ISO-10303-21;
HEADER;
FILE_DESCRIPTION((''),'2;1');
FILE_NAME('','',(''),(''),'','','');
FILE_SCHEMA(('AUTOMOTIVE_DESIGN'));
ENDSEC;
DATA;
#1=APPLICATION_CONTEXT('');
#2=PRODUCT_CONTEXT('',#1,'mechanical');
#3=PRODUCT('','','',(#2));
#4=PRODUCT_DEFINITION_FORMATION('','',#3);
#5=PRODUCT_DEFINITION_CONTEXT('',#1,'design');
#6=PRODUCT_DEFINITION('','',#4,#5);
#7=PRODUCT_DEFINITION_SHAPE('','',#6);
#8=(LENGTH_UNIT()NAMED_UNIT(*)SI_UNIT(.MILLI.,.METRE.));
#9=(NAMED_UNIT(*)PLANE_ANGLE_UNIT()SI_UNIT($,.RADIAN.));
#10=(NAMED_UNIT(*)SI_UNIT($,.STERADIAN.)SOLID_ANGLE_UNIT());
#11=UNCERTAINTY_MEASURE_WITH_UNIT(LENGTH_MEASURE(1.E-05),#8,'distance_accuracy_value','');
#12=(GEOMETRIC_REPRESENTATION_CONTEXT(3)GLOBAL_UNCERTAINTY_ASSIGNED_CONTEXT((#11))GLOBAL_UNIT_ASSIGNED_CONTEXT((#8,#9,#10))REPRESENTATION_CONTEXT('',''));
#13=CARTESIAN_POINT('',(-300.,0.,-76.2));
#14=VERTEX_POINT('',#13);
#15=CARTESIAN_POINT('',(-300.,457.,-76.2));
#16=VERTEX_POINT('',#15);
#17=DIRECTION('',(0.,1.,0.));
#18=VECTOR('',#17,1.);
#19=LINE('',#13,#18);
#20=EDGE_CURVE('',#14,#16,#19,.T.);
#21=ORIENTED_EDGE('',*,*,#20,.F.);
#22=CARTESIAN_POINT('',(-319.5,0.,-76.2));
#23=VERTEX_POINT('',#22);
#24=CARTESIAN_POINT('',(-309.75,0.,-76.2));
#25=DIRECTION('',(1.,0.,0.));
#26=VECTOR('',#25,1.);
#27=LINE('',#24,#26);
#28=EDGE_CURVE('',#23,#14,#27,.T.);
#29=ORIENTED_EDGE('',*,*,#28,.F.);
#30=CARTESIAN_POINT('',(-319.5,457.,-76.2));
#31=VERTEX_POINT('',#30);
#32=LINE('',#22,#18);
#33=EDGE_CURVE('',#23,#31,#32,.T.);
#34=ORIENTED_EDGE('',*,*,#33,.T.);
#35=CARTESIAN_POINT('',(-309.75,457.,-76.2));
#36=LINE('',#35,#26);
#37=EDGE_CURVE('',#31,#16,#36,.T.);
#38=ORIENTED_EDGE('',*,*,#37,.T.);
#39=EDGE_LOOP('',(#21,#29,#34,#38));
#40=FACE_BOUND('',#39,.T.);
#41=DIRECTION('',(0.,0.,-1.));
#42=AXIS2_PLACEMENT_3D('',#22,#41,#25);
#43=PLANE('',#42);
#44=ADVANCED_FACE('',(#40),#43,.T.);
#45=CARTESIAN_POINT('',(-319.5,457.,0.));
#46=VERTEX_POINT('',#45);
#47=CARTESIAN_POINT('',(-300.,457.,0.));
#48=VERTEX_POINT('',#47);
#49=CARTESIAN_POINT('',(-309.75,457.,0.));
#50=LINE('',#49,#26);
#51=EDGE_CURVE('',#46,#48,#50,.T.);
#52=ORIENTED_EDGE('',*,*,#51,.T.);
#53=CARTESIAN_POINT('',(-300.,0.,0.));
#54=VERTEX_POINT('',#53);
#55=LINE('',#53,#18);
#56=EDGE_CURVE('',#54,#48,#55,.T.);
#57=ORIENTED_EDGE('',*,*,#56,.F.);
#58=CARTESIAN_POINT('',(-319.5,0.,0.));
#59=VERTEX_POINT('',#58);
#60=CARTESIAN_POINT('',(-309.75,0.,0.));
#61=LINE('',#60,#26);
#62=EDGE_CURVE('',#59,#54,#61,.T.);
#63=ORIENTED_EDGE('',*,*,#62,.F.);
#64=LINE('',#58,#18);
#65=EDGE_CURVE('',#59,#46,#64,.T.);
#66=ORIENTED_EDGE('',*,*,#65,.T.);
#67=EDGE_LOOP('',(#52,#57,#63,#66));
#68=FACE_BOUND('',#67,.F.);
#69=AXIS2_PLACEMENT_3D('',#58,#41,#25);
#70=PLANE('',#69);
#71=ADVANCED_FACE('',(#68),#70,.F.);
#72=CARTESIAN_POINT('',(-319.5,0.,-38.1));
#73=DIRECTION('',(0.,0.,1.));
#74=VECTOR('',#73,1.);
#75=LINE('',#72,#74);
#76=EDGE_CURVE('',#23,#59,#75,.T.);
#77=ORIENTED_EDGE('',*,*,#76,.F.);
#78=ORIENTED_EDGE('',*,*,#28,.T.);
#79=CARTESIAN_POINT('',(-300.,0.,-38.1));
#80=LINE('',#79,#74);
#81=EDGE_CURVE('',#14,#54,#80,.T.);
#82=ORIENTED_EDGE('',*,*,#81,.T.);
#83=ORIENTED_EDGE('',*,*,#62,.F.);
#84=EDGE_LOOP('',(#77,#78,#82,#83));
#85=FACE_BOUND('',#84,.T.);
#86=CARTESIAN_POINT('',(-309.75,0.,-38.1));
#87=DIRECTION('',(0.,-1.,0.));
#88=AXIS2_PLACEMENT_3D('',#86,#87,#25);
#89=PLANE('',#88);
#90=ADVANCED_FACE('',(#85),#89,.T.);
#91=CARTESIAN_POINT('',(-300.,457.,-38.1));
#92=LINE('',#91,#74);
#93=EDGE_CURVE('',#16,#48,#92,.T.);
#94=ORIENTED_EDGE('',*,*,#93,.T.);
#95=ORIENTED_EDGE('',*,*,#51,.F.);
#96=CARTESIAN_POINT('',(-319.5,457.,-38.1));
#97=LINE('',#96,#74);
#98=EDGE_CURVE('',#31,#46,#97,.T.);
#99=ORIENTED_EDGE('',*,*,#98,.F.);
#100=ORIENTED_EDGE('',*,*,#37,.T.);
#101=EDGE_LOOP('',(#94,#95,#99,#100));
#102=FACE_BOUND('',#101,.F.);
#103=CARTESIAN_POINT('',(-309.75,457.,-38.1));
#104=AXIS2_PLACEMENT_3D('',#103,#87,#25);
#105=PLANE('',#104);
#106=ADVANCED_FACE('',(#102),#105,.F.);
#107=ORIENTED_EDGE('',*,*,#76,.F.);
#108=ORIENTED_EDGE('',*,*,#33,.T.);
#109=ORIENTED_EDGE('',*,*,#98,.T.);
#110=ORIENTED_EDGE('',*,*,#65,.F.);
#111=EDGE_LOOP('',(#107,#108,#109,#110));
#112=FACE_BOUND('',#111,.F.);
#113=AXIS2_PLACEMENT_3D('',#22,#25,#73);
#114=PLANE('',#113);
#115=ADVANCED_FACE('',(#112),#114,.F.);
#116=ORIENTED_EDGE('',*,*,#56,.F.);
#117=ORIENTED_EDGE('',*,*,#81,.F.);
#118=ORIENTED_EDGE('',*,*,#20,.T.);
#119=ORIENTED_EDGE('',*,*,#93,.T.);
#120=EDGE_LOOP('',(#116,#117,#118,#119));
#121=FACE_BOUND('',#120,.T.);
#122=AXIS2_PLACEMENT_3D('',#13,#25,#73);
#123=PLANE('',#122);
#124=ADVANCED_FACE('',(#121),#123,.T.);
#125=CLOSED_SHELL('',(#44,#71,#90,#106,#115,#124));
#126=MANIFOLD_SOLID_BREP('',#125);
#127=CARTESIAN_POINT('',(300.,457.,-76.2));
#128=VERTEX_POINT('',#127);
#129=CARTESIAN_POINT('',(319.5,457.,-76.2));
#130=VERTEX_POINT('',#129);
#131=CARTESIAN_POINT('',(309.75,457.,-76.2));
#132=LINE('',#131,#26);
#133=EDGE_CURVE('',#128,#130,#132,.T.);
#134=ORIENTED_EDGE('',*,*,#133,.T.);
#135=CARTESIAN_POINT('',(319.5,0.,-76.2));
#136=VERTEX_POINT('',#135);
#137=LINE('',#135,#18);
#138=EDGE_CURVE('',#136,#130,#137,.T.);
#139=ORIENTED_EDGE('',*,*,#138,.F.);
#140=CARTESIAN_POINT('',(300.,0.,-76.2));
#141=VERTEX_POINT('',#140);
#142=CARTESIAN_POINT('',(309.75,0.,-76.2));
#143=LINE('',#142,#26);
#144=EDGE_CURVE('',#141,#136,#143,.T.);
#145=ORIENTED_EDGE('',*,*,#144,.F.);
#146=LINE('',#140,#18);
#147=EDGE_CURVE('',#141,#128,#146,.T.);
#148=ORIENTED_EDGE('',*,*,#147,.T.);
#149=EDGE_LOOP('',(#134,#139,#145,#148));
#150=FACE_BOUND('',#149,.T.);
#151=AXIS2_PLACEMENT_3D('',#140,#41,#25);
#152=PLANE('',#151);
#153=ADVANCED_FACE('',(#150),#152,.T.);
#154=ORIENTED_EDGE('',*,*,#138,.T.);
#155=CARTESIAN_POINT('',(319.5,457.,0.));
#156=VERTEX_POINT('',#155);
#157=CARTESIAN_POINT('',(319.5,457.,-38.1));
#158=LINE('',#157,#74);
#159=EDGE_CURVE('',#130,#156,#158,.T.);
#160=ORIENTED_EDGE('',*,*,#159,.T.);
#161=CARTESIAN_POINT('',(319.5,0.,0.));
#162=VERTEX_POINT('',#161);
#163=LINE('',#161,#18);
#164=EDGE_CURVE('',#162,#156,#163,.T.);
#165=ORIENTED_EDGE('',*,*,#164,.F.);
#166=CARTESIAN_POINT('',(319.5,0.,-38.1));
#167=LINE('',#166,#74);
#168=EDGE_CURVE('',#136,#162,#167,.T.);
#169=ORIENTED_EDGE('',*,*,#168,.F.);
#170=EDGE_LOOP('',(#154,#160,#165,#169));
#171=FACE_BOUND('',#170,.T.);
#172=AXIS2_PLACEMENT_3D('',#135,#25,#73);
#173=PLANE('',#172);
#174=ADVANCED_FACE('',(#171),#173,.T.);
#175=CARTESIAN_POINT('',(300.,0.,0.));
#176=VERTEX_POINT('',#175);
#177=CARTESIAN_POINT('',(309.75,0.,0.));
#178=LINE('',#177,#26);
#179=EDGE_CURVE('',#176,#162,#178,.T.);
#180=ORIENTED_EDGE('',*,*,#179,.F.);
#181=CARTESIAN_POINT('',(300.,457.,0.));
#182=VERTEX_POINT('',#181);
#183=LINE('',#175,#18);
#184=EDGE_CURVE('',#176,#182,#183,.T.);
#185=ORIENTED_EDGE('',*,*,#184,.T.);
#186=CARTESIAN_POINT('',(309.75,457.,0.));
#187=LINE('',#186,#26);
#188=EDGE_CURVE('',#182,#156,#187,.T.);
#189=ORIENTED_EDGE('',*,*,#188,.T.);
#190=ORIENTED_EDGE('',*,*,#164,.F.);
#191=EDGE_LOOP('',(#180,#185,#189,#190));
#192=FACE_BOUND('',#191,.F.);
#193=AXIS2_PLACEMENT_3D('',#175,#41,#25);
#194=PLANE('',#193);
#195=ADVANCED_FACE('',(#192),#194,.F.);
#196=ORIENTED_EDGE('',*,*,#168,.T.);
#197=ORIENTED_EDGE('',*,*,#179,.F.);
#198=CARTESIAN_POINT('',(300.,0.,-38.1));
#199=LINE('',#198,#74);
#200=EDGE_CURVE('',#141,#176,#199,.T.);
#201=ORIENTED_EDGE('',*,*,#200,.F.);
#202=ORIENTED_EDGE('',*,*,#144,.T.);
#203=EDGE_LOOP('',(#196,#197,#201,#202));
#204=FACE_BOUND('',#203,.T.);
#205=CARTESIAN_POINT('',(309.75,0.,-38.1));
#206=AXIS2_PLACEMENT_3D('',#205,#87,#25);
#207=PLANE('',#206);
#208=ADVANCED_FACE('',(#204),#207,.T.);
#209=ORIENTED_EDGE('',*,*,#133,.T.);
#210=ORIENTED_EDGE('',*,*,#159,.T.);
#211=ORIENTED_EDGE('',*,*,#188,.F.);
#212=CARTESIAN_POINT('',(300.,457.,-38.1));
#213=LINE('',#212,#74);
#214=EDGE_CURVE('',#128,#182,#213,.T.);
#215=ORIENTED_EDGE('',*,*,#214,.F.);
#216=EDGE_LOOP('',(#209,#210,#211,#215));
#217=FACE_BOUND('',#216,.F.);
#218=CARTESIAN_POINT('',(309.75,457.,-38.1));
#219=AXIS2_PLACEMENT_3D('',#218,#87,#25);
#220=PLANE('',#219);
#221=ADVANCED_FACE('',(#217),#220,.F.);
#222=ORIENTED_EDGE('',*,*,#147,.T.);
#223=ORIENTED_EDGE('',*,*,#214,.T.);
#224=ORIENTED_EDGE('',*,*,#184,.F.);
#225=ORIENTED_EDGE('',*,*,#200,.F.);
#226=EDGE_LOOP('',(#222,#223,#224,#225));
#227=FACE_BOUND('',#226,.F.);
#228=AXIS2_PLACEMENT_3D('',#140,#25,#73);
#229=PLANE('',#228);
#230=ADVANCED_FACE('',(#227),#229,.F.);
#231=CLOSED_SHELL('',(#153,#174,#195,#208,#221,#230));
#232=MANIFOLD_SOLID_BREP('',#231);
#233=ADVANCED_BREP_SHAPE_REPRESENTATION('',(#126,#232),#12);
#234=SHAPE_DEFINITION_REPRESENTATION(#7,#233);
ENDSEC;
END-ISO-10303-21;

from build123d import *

# Parameters (mm, degrees)
F0_W     = 19.5
F0_H     = 76.2
F1_DEPTH = 457


with BuildPart() as f1:
    # F0 (on Front) → F1 (new body)
    with BuildSketch(Plane.XZ):
        with Locations((309.75, -38.1)):
            Rectangle(F0_W, F0_H)
        with Locations((-309.75, -38.1)):
            Rectangle(F0_W, F0_H)
    extrude(amount=-F1_DEPTH)


solid = f1.part
